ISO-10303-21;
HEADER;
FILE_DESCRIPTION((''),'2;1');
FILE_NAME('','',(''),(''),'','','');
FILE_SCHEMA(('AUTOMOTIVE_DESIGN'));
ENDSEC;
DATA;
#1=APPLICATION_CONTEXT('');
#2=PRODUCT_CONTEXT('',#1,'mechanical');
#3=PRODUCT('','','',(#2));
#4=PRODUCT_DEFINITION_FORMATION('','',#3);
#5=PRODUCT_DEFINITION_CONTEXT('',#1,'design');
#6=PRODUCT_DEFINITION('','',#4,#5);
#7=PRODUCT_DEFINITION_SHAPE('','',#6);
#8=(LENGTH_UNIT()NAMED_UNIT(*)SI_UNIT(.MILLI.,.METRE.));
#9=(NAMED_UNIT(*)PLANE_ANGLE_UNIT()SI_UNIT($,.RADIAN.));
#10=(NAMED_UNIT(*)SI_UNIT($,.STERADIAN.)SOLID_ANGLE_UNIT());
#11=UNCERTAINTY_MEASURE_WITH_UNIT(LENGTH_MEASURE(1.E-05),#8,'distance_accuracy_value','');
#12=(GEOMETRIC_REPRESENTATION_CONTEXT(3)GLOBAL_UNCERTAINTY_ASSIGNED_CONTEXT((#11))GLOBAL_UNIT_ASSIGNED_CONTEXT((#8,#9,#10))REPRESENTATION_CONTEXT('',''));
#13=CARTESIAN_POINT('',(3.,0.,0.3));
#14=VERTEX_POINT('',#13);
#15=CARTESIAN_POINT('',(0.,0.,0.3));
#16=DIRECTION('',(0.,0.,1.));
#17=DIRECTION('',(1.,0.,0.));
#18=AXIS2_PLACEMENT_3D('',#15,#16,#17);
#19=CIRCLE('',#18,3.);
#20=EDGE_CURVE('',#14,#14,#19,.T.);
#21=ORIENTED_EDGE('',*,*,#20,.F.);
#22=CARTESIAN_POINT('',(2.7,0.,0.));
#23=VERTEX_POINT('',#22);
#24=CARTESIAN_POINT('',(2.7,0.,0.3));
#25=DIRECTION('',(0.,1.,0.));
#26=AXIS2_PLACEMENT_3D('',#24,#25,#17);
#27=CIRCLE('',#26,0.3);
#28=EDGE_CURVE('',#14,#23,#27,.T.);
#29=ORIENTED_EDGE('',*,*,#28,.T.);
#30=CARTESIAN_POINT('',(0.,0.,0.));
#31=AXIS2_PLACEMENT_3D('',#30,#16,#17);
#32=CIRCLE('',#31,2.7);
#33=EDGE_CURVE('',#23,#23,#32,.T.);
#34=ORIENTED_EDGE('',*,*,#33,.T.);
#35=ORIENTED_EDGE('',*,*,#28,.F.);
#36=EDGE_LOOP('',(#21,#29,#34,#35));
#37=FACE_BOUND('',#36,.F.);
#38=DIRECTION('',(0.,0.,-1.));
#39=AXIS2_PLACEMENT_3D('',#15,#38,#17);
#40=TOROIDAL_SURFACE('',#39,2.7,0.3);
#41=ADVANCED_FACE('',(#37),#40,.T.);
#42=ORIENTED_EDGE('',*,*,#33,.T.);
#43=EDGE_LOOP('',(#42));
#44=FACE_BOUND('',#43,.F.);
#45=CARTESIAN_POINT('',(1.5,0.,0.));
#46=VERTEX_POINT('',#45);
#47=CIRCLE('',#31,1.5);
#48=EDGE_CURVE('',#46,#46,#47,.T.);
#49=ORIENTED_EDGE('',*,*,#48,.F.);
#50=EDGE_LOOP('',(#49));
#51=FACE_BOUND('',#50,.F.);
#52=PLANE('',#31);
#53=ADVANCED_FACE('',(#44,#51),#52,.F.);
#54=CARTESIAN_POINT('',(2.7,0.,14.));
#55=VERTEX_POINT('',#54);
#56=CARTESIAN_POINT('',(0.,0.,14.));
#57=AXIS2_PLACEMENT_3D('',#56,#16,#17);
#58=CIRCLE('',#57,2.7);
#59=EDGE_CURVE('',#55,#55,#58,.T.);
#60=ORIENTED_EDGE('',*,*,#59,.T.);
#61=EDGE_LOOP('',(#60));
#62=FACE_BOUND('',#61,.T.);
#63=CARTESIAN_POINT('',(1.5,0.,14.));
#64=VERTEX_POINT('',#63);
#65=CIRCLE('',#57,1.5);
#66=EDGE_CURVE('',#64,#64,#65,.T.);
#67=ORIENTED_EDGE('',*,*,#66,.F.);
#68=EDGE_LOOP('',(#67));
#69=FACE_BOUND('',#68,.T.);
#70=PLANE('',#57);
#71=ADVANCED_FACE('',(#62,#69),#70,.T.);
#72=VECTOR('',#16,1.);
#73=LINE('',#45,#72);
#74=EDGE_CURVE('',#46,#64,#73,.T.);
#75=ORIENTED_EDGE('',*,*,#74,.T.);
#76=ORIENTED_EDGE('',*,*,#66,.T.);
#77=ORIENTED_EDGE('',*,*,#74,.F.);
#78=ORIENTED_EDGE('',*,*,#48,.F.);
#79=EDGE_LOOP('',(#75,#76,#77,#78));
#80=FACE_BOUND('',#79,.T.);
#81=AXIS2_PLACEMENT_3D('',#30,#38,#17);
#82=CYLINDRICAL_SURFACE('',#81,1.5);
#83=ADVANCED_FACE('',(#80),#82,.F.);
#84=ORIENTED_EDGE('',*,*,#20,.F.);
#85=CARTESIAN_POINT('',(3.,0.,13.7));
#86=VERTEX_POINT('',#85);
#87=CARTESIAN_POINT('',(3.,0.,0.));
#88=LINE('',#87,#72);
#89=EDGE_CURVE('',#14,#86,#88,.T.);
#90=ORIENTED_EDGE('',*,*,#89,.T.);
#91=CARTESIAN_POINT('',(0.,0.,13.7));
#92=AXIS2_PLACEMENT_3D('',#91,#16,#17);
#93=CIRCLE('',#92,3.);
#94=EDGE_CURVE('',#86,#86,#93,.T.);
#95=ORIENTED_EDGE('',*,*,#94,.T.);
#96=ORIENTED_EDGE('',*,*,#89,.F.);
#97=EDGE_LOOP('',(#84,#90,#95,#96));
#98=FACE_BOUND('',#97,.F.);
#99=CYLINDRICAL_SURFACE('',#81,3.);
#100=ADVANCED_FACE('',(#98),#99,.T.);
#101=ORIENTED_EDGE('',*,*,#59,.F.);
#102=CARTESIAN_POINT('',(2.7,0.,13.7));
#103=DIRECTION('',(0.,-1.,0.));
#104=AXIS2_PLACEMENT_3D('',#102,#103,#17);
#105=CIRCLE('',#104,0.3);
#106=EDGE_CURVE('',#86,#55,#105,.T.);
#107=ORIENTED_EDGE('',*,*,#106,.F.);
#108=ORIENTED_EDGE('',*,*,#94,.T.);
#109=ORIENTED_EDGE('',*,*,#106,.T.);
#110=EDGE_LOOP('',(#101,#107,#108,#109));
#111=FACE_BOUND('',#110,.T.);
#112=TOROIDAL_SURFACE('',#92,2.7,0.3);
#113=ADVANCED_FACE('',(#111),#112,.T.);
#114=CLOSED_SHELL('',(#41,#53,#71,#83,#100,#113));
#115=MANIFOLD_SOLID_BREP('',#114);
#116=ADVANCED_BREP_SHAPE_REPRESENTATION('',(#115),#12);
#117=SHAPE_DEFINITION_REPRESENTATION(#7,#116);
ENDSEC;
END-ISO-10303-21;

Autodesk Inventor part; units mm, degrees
ref_plane "YZ Plane" through (0, 0, 0) normal (1, 0, 0) x (0, 1, 0)
ref_plane "XZ Plane" through (0, 0, 0) normal (0, 1, 0) x (-1, 0, 0)
ref_plane "XY Plane" through (0, 0, 0) normal (0, 0, 1) x (1, 0, 0)
sketch "スケッチ1" plane through (0, 0, 0) normal (0, 0, 1) x (1, 0, 0)
  circle A0 centre (0, 0) radius 1.5
  circle A1 centre (0, 0) radius 3
  dimension "d0" = 3
  dimension "d1" = 6
extrude "押し出し1" add sketch "スケッチ1" along normal blind 14
fillet "フィレット1" radius 0.3 2 edges at (-3, 0, 14) (-3, 0, 0)
thread "ねじ1" size "M3x0.5" class "6H" standard "ANSI Metric M Profile" length 100
properties part number "スペーサーM3L14アルミ" material "アルミニウム 2014-T4"
